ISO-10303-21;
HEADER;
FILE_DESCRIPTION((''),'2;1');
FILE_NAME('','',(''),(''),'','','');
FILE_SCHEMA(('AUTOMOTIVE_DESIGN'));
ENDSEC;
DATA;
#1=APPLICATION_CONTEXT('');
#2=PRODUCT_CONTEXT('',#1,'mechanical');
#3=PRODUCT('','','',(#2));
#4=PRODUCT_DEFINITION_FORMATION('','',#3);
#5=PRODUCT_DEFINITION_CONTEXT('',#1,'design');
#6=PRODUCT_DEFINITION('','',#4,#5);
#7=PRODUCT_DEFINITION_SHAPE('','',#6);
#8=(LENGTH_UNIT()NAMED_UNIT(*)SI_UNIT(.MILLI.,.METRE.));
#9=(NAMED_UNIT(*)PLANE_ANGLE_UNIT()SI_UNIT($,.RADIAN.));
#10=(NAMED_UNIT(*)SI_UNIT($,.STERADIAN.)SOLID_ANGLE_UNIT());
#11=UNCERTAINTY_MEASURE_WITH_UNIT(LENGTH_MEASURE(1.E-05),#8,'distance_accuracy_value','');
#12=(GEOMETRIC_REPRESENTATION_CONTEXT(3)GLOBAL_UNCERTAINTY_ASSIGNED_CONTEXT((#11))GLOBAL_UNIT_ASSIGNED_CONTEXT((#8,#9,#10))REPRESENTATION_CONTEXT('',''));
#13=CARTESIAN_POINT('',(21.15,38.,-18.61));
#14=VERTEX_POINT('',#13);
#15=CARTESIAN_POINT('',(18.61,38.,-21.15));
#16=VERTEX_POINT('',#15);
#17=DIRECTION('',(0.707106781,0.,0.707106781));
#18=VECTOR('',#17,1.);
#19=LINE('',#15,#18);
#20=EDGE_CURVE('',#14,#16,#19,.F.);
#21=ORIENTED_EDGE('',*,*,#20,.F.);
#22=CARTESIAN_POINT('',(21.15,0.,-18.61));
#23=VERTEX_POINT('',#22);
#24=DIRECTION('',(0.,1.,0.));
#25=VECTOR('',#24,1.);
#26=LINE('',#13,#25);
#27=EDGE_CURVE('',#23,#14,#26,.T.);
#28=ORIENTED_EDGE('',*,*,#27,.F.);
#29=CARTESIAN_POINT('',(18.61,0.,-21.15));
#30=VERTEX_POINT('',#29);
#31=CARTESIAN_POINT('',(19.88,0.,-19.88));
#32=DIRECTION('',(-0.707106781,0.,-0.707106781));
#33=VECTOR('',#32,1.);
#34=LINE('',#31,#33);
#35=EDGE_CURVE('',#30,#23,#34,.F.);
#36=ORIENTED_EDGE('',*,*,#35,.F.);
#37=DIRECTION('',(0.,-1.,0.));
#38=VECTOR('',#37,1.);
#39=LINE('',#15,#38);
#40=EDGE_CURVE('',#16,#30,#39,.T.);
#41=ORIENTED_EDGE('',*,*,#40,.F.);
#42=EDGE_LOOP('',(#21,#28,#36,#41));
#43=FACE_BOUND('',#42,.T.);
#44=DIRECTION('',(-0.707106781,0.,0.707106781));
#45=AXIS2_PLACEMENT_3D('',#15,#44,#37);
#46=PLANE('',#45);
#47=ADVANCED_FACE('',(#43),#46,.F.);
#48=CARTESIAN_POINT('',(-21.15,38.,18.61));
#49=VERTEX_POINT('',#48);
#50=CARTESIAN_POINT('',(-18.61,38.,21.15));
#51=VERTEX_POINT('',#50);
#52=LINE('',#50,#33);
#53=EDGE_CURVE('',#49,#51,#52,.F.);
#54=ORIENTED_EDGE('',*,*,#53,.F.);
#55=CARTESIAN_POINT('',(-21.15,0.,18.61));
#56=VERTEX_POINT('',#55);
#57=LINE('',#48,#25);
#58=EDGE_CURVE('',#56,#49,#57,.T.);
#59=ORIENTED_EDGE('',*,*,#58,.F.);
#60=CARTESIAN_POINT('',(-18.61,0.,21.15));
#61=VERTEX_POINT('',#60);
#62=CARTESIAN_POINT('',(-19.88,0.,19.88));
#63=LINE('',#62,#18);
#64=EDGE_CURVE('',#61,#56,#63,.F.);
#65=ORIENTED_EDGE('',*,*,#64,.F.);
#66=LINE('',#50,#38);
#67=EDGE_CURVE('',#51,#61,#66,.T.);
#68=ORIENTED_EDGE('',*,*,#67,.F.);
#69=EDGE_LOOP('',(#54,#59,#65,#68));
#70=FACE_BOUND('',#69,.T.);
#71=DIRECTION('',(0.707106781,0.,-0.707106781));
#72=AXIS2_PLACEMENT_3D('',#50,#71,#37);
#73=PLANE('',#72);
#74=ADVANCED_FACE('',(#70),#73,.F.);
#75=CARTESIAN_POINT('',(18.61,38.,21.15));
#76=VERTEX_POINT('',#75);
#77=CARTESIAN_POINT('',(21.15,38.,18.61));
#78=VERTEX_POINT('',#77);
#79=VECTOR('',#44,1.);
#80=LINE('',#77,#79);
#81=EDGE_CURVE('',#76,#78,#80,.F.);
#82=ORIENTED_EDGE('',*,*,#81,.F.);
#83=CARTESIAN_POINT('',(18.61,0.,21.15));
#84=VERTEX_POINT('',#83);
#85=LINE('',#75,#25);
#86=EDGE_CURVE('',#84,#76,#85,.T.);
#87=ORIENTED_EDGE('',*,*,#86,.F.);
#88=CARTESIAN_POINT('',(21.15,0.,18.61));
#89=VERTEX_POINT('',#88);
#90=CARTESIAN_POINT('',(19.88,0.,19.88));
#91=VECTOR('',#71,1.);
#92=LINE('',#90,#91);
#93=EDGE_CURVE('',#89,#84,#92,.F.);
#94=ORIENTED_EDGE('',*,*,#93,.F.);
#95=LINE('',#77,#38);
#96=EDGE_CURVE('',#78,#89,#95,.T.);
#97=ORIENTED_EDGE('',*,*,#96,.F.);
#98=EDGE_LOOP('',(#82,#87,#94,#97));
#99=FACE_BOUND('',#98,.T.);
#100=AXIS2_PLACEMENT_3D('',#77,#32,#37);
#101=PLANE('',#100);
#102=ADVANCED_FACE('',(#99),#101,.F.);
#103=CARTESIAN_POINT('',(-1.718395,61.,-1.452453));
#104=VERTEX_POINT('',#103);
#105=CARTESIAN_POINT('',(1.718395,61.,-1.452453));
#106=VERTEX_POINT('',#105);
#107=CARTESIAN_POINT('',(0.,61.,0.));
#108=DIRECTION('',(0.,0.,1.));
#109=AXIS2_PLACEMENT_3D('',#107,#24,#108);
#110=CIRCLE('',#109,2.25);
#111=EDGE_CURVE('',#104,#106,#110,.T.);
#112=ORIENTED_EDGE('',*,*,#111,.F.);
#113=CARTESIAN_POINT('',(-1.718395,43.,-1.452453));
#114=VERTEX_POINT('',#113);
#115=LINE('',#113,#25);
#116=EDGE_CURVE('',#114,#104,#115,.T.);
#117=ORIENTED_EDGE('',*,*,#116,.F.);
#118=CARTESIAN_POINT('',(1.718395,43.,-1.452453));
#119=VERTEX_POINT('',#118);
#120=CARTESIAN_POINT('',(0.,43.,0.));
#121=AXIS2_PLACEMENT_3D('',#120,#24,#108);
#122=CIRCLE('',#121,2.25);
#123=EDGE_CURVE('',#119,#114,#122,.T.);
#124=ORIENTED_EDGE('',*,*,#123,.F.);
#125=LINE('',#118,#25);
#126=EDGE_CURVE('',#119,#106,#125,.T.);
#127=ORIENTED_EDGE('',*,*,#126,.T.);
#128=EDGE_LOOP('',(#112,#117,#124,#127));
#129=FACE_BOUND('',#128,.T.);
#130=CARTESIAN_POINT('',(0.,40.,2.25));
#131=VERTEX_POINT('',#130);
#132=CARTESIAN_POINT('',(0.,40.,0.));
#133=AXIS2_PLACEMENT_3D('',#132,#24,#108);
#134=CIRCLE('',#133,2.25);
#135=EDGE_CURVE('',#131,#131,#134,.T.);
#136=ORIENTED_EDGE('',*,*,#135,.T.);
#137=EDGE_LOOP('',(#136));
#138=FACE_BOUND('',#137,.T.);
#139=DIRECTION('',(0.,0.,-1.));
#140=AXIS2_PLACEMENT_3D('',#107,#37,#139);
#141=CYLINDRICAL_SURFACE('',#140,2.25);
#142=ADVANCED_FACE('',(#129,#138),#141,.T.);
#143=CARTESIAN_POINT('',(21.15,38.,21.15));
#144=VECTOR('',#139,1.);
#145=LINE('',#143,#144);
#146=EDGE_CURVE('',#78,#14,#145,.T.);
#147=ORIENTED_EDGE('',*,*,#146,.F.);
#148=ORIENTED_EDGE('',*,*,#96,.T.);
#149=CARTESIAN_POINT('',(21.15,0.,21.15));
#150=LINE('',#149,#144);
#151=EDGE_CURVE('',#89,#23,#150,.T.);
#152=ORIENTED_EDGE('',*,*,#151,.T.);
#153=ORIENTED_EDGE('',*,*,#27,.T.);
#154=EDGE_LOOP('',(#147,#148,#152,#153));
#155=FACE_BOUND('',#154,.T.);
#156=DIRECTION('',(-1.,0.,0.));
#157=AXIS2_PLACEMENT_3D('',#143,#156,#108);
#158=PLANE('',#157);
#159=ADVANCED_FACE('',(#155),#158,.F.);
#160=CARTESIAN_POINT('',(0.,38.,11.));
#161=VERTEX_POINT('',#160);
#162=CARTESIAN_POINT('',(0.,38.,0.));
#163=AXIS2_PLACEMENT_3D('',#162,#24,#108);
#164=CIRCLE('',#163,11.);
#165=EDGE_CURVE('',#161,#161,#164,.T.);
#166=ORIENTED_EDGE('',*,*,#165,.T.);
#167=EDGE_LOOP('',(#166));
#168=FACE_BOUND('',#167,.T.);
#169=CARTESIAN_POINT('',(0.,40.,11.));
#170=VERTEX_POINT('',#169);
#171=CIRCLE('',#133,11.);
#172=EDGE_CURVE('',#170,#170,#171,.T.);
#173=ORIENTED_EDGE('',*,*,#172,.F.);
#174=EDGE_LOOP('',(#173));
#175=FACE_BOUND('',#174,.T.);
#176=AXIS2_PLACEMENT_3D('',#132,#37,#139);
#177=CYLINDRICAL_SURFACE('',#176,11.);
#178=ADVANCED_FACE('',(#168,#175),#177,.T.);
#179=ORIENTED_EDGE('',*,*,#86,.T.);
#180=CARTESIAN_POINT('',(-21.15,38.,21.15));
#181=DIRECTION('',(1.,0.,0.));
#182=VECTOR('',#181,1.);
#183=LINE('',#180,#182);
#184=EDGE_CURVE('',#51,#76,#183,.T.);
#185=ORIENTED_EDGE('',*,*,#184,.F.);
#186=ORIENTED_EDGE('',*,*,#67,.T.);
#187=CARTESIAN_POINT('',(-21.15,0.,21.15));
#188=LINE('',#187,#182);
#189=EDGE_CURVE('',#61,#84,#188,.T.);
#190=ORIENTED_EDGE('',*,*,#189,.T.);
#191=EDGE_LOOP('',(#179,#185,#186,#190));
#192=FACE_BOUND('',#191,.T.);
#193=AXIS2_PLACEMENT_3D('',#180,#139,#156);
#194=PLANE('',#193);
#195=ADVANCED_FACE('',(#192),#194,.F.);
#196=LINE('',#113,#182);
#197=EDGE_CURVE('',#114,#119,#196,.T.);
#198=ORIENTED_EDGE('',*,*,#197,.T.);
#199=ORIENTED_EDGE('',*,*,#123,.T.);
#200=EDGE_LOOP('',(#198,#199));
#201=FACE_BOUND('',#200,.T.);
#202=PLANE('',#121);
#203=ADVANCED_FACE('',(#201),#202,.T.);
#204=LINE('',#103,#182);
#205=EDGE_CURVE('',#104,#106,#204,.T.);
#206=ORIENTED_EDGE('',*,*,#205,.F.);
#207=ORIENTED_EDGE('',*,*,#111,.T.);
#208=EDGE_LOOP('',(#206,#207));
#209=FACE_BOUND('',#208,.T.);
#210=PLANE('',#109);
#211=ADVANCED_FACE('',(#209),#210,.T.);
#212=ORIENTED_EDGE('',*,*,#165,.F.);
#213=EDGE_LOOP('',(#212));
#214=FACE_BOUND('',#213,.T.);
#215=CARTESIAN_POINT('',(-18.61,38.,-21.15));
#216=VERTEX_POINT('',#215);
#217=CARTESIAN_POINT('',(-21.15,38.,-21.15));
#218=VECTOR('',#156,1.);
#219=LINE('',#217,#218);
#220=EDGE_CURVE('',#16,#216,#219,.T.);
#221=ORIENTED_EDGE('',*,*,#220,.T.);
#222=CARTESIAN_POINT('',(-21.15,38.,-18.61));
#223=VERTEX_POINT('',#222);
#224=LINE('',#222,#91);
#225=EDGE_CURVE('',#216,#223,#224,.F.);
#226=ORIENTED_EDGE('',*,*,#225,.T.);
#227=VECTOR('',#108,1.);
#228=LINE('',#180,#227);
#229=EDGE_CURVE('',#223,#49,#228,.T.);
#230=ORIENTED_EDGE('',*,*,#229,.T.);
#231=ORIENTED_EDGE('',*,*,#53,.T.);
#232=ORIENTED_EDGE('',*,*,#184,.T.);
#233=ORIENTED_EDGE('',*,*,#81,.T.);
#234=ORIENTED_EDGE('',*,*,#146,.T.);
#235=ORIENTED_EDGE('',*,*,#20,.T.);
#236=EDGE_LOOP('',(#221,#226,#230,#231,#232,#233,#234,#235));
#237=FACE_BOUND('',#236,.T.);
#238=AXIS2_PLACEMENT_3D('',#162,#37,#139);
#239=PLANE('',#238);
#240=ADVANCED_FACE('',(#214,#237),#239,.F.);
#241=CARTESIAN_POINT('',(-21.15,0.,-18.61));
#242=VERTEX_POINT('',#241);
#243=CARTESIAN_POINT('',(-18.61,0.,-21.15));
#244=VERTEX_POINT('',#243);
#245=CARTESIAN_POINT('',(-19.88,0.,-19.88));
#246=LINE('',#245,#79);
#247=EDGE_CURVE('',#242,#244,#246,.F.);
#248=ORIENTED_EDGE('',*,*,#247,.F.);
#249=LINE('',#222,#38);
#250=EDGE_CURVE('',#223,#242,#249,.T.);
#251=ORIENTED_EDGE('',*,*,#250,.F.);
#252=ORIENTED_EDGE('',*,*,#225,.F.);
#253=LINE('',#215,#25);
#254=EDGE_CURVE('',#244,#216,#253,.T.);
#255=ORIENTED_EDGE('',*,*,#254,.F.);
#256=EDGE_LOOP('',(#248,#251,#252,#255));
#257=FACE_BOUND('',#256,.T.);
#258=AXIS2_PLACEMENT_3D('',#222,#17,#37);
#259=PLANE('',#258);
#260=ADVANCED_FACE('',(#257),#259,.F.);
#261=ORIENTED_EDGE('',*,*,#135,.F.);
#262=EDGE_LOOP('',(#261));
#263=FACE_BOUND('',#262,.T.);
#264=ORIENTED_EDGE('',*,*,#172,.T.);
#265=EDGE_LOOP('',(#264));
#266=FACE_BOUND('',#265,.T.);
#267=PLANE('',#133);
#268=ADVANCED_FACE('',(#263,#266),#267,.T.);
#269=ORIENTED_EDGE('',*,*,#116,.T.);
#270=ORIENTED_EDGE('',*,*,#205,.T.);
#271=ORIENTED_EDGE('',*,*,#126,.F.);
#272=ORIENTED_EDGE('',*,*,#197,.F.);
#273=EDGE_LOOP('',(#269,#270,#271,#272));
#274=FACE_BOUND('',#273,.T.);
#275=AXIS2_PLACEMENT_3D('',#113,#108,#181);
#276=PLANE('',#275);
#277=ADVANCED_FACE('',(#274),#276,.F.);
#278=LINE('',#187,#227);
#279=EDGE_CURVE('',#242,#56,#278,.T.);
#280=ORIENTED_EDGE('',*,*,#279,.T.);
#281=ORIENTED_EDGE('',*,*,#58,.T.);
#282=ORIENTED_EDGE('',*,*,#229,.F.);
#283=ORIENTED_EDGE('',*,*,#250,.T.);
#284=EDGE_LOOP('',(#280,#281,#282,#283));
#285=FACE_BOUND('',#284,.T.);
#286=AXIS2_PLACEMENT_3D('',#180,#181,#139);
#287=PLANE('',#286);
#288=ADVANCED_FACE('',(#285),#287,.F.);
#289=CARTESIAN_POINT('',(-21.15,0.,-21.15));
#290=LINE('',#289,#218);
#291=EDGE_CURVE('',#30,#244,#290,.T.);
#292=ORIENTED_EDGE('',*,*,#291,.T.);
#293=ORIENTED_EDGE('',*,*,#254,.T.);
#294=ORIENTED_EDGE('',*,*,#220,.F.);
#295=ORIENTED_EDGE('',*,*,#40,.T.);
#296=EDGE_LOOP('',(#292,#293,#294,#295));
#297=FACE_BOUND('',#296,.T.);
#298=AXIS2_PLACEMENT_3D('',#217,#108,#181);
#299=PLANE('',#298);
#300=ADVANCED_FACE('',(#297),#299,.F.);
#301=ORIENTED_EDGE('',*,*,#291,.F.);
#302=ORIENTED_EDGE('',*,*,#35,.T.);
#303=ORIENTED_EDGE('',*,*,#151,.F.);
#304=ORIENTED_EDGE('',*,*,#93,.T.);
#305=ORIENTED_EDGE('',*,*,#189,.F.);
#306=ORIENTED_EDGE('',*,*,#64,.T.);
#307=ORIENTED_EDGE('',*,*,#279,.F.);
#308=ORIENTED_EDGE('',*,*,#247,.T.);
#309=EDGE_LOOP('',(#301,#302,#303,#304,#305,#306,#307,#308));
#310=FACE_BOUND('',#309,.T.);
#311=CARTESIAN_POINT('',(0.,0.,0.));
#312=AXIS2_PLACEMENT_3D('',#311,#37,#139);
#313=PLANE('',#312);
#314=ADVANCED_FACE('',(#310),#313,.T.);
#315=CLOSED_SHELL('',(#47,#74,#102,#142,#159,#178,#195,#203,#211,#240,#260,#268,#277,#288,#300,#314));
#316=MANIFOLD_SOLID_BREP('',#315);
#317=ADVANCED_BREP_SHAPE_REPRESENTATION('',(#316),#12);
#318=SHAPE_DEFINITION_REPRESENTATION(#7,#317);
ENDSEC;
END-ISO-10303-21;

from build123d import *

# Parameters (mm, degrees)
SKETCH1_W           = 42.299999982
SKETCH1_H           = 42.3
BOSS_EXTRUDE1_DEPTH = 38
CHAMFER1_SIZE       = 2.54
SKETCH2_R           = 11
BOSS_EXTRUDE2_DEPTH = 2
SKETCH3_R           = 2.25
BOSS_EXTRUDE3_DEPTH = 21
SKETCH4_W           = 3.436789712
SKETCH4_H           = 1.59509441
CUT_EXTRUDE1_DEPTH  = 18


with BuildPart() as part:
    # Sketch1 → Boss-Extrude1 (new body)
    with BuildSketch(Plane(origin=(0, 0, 0), x_dir=(1, 0, 0), z_dir=(0, 1, 0))):
        Rectangle(SKETCH1_W, SKETCH1_H)
    extrude(amount=BOSS_EXTRUDE1_DEPTH)

    # Chamfer1
    chamfer1_edges = [part.edges().sort_by_distance(p)[0] for p in [
        (21.149999991, 19, 21.15),
        (-21.149999991, 19, 21.15),
        (-21.149999991, 19, -21.15),
        (21.149999991, 19, -21.15),
    ]]
    chamfer(chamfer1_edges, length=CHAMFER1_SIZE)

    # Sketch2 → Boss-Extrude2 (add)
    with BuildSketch(Plane(origin=(0, 38, 0), x_dir=(1, 0, 0), z_dir=(0, 1, 0))):
        with Locations(Location((0, 0, 0), (0, 0, 270))):
            Circle(SKETCH2_R)
    extrude(amount=BOSS_EXTRUDE2_DEPTH)

    # Sketch3 → Boss-Extrude3 (add)
    with BuildSketch(Plane(origin=(0, 40, 0), x_dir=(1, 0, 0), z_dir=(0, 1, 0))):
        with Locations(Location((0, 0, 0), (0, 0, 90))):
            Circle(SKETCH3_R)
    extrude(amount=BOSS_EXTRUDE3_DEPTH)

    # Sketch4 → Cut-Extrude1 (cut)
    with BuildSketch(Plane(origin=(0, 61, 0), x_dir=(1, 0, 0), z_dir=(0, 1, 0))):
        with Locations((0, 2.25)):
            Rectangle(SKETCH4_W, SKETCH4_H)
    extrude(amount=-CUT_EXTRUDE1_DEPTH, mode=Mode.SUBTRACT)


solid = part.part
